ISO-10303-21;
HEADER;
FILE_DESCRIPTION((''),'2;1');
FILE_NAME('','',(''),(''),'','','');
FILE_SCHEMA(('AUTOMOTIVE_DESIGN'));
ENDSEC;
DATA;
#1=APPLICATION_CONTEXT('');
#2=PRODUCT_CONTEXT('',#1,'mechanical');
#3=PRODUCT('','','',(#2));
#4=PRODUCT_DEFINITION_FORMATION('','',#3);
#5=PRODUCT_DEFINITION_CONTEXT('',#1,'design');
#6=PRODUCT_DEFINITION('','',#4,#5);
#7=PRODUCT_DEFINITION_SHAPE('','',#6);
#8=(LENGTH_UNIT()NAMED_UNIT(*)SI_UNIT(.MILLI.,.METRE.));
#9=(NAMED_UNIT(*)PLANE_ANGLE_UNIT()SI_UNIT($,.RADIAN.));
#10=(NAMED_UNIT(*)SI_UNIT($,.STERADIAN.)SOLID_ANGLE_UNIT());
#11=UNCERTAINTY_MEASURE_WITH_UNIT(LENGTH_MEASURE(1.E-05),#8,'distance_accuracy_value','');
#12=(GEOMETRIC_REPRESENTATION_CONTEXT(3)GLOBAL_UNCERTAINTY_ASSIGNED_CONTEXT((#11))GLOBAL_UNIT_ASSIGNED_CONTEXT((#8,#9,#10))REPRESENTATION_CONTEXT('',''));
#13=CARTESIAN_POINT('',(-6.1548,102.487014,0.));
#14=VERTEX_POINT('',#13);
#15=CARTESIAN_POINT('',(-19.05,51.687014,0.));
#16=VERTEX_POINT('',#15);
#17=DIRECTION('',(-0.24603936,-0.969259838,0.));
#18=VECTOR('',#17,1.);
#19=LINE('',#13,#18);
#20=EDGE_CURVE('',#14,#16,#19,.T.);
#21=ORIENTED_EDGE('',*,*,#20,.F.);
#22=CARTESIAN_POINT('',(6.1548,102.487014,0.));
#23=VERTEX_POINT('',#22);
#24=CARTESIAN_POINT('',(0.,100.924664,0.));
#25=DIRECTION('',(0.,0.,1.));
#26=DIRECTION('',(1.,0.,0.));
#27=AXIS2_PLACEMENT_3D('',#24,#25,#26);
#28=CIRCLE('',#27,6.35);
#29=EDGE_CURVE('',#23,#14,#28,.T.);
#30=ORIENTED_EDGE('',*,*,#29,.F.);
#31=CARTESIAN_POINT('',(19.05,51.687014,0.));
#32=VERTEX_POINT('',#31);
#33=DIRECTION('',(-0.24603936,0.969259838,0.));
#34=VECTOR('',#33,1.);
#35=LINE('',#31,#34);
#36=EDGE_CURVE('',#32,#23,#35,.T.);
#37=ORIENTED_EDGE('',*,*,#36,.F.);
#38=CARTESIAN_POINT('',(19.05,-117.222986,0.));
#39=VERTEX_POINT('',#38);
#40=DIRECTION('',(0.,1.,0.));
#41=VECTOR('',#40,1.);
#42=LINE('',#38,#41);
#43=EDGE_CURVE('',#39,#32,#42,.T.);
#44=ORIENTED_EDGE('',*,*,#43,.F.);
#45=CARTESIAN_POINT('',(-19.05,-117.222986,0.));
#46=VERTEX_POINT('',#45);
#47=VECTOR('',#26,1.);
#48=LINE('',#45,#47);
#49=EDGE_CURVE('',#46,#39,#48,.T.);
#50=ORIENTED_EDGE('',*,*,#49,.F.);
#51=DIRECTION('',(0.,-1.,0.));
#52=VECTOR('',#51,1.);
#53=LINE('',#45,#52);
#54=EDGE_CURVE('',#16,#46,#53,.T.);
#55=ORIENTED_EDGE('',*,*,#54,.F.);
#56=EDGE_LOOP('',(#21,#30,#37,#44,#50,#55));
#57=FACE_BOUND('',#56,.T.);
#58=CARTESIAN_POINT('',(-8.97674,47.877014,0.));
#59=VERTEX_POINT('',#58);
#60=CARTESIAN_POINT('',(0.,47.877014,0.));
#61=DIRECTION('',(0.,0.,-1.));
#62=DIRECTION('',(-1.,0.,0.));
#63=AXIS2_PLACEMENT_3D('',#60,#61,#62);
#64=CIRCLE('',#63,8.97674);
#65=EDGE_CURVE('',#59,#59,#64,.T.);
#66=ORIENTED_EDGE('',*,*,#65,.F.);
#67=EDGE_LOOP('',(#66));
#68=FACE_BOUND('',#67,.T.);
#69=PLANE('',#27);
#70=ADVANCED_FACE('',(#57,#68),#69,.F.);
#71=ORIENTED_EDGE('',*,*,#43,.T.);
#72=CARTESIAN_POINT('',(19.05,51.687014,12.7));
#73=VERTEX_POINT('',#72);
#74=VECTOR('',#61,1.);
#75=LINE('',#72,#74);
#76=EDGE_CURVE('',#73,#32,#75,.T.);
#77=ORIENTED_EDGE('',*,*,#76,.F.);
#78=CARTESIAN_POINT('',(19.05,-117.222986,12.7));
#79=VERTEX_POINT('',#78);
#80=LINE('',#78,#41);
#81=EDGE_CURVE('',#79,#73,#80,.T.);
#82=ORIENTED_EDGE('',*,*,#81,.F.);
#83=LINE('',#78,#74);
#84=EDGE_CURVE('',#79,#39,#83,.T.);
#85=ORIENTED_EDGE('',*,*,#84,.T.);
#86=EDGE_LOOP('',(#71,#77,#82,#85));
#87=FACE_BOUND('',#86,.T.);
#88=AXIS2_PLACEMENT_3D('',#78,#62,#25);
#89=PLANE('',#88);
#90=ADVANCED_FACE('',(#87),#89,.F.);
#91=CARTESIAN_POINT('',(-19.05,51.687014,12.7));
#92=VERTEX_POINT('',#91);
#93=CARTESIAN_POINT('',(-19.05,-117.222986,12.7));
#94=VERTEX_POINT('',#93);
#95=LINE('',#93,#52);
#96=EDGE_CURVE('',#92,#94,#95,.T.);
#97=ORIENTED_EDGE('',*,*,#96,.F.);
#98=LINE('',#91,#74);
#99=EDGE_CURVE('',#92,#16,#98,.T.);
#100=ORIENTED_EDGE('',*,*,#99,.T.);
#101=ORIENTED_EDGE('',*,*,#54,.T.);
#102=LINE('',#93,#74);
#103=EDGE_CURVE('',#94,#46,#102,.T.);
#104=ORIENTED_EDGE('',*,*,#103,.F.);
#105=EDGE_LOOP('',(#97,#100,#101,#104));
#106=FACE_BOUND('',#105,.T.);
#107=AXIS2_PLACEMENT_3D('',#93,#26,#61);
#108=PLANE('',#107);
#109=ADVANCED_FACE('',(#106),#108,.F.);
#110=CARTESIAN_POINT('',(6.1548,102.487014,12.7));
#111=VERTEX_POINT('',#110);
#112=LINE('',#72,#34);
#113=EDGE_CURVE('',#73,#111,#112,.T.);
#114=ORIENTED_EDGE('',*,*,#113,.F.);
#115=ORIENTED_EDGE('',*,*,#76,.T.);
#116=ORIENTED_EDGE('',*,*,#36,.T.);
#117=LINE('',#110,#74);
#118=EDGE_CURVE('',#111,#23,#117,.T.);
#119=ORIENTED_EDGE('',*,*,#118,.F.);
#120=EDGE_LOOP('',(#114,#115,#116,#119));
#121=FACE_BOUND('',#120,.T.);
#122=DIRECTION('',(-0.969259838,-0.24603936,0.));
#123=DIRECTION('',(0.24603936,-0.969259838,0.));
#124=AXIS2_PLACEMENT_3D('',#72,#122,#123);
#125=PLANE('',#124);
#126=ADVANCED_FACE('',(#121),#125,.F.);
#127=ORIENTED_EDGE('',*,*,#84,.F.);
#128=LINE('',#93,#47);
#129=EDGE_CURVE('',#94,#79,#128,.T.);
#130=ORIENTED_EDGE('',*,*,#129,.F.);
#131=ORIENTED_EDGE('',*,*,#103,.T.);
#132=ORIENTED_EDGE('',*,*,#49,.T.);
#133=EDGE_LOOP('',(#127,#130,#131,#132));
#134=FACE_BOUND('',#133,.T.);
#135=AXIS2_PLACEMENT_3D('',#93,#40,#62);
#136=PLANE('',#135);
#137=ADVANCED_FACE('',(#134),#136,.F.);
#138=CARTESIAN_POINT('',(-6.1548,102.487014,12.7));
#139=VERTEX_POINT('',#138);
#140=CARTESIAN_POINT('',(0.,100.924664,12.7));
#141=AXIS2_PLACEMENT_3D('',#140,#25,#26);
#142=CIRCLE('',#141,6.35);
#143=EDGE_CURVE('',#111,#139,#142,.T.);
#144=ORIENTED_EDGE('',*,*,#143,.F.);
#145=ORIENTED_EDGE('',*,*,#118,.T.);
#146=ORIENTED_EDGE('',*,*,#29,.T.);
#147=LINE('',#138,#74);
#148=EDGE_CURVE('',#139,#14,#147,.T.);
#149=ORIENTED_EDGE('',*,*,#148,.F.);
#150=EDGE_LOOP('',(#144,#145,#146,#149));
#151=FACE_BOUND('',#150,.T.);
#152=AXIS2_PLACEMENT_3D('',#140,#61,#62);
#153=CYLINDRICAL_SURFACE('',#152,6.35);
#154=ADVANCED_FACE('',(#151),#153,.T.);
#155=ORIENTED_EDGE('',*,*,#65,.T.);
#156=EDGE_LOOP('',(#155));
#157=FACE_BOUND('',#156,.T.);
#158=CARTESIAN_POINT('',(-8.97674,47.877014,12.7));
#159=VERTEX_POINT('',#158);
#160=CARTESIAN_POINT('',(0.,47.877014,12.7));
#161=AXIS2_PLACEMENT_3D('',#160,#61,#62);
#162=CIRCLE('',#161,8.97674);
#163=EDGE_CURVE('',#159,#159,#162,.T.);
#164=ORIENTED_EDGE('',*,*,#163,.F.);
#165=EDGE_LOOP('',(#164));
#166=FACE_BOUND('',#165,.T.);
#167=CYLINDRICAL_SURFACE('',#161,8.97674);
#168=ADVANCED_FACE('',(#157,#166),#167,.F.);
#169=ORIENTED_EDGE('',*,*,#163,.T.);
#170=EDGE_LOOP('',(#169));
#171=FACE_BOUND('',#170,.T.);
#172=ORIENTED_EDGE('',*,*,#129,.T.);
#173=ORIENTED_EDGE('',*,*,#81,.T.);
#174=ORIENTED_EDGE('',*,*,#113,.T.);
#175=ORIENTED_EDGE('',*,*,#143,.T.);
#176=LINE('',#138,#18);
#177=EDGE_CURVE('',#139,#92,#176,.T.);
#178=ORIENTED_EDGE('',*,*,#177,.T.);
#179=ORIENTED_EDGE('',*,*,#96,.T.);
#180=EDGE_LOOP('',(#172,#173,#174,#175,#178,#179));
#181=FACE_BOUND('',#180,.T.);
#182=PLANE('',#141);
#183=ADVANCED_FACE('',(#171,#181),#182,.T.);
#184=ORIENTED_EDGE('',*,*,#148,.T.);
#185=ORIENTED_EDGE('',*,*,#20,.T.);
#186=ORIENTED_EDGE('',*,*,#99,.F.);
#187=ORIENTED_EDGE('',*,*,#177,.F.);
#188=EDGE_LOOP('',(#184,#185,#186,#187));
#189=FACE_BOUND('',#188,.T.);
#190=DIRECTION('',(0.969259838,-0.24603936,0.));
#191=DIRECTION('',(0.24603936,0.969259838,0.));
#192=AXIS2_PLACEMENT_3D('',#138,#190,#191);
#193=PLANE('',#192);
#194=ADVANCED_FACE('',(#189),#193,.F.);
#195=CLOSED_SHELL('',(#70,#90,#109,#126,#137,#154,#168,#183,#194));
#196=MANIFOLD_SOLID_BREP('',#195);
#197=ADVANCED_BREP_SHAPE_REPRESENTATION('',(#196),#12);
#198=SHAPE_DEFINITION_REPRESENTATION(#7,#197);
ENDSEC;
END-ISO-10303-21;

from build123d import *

# Parameters (mm, degrees)
BOSS_EXTRUDE1_DEPTH = 12.7
SKETCH4_R           = 8.976739885
CUT_EXTRUDE1_DEPTH  = 120.43793735


with BuildPart() as part:
    # Sketch1 → Boss-Extrude1 (new body)
    with BuildSketch(Plane.XY):
        with BuildLine():
            Line((19.05, 51.687014291), (6.15479997, 102.487014291))
            ThreePointArc((6.15479997, 102.487014291), (0, 107.274664355), (-6.15479997, 102.487014291))
            Line((-6.15479997, 102.487014291), (-19.05, 51.687014291))
            Line((-19.05, 51.687014291), (-19.05, -117.222985709))
            Line((-19.05, -117.222985709), (19.05, -117.222985709))
            Line((19.05, -117.222985709), (19.05, 51.687014291))
        make_face()
    extrude(amount=BOSS_EXTRUDE1_DEPTH)

    # Sketch4 → Cut-Extrude1 (cut, through all)
    with BuildSketch(Plane(origin=(0, 0, 0), x_dir=(-1, 0, 0), z_dir=(0, 0, -1))):
        with Locations((0, 47.877014291)):
            Circle(SKETCH4_R)
    extrude(amount=-CUT_EXTRUDE1_DEPTH, mode=Mode.SUBTRACT)


solid = part.part
